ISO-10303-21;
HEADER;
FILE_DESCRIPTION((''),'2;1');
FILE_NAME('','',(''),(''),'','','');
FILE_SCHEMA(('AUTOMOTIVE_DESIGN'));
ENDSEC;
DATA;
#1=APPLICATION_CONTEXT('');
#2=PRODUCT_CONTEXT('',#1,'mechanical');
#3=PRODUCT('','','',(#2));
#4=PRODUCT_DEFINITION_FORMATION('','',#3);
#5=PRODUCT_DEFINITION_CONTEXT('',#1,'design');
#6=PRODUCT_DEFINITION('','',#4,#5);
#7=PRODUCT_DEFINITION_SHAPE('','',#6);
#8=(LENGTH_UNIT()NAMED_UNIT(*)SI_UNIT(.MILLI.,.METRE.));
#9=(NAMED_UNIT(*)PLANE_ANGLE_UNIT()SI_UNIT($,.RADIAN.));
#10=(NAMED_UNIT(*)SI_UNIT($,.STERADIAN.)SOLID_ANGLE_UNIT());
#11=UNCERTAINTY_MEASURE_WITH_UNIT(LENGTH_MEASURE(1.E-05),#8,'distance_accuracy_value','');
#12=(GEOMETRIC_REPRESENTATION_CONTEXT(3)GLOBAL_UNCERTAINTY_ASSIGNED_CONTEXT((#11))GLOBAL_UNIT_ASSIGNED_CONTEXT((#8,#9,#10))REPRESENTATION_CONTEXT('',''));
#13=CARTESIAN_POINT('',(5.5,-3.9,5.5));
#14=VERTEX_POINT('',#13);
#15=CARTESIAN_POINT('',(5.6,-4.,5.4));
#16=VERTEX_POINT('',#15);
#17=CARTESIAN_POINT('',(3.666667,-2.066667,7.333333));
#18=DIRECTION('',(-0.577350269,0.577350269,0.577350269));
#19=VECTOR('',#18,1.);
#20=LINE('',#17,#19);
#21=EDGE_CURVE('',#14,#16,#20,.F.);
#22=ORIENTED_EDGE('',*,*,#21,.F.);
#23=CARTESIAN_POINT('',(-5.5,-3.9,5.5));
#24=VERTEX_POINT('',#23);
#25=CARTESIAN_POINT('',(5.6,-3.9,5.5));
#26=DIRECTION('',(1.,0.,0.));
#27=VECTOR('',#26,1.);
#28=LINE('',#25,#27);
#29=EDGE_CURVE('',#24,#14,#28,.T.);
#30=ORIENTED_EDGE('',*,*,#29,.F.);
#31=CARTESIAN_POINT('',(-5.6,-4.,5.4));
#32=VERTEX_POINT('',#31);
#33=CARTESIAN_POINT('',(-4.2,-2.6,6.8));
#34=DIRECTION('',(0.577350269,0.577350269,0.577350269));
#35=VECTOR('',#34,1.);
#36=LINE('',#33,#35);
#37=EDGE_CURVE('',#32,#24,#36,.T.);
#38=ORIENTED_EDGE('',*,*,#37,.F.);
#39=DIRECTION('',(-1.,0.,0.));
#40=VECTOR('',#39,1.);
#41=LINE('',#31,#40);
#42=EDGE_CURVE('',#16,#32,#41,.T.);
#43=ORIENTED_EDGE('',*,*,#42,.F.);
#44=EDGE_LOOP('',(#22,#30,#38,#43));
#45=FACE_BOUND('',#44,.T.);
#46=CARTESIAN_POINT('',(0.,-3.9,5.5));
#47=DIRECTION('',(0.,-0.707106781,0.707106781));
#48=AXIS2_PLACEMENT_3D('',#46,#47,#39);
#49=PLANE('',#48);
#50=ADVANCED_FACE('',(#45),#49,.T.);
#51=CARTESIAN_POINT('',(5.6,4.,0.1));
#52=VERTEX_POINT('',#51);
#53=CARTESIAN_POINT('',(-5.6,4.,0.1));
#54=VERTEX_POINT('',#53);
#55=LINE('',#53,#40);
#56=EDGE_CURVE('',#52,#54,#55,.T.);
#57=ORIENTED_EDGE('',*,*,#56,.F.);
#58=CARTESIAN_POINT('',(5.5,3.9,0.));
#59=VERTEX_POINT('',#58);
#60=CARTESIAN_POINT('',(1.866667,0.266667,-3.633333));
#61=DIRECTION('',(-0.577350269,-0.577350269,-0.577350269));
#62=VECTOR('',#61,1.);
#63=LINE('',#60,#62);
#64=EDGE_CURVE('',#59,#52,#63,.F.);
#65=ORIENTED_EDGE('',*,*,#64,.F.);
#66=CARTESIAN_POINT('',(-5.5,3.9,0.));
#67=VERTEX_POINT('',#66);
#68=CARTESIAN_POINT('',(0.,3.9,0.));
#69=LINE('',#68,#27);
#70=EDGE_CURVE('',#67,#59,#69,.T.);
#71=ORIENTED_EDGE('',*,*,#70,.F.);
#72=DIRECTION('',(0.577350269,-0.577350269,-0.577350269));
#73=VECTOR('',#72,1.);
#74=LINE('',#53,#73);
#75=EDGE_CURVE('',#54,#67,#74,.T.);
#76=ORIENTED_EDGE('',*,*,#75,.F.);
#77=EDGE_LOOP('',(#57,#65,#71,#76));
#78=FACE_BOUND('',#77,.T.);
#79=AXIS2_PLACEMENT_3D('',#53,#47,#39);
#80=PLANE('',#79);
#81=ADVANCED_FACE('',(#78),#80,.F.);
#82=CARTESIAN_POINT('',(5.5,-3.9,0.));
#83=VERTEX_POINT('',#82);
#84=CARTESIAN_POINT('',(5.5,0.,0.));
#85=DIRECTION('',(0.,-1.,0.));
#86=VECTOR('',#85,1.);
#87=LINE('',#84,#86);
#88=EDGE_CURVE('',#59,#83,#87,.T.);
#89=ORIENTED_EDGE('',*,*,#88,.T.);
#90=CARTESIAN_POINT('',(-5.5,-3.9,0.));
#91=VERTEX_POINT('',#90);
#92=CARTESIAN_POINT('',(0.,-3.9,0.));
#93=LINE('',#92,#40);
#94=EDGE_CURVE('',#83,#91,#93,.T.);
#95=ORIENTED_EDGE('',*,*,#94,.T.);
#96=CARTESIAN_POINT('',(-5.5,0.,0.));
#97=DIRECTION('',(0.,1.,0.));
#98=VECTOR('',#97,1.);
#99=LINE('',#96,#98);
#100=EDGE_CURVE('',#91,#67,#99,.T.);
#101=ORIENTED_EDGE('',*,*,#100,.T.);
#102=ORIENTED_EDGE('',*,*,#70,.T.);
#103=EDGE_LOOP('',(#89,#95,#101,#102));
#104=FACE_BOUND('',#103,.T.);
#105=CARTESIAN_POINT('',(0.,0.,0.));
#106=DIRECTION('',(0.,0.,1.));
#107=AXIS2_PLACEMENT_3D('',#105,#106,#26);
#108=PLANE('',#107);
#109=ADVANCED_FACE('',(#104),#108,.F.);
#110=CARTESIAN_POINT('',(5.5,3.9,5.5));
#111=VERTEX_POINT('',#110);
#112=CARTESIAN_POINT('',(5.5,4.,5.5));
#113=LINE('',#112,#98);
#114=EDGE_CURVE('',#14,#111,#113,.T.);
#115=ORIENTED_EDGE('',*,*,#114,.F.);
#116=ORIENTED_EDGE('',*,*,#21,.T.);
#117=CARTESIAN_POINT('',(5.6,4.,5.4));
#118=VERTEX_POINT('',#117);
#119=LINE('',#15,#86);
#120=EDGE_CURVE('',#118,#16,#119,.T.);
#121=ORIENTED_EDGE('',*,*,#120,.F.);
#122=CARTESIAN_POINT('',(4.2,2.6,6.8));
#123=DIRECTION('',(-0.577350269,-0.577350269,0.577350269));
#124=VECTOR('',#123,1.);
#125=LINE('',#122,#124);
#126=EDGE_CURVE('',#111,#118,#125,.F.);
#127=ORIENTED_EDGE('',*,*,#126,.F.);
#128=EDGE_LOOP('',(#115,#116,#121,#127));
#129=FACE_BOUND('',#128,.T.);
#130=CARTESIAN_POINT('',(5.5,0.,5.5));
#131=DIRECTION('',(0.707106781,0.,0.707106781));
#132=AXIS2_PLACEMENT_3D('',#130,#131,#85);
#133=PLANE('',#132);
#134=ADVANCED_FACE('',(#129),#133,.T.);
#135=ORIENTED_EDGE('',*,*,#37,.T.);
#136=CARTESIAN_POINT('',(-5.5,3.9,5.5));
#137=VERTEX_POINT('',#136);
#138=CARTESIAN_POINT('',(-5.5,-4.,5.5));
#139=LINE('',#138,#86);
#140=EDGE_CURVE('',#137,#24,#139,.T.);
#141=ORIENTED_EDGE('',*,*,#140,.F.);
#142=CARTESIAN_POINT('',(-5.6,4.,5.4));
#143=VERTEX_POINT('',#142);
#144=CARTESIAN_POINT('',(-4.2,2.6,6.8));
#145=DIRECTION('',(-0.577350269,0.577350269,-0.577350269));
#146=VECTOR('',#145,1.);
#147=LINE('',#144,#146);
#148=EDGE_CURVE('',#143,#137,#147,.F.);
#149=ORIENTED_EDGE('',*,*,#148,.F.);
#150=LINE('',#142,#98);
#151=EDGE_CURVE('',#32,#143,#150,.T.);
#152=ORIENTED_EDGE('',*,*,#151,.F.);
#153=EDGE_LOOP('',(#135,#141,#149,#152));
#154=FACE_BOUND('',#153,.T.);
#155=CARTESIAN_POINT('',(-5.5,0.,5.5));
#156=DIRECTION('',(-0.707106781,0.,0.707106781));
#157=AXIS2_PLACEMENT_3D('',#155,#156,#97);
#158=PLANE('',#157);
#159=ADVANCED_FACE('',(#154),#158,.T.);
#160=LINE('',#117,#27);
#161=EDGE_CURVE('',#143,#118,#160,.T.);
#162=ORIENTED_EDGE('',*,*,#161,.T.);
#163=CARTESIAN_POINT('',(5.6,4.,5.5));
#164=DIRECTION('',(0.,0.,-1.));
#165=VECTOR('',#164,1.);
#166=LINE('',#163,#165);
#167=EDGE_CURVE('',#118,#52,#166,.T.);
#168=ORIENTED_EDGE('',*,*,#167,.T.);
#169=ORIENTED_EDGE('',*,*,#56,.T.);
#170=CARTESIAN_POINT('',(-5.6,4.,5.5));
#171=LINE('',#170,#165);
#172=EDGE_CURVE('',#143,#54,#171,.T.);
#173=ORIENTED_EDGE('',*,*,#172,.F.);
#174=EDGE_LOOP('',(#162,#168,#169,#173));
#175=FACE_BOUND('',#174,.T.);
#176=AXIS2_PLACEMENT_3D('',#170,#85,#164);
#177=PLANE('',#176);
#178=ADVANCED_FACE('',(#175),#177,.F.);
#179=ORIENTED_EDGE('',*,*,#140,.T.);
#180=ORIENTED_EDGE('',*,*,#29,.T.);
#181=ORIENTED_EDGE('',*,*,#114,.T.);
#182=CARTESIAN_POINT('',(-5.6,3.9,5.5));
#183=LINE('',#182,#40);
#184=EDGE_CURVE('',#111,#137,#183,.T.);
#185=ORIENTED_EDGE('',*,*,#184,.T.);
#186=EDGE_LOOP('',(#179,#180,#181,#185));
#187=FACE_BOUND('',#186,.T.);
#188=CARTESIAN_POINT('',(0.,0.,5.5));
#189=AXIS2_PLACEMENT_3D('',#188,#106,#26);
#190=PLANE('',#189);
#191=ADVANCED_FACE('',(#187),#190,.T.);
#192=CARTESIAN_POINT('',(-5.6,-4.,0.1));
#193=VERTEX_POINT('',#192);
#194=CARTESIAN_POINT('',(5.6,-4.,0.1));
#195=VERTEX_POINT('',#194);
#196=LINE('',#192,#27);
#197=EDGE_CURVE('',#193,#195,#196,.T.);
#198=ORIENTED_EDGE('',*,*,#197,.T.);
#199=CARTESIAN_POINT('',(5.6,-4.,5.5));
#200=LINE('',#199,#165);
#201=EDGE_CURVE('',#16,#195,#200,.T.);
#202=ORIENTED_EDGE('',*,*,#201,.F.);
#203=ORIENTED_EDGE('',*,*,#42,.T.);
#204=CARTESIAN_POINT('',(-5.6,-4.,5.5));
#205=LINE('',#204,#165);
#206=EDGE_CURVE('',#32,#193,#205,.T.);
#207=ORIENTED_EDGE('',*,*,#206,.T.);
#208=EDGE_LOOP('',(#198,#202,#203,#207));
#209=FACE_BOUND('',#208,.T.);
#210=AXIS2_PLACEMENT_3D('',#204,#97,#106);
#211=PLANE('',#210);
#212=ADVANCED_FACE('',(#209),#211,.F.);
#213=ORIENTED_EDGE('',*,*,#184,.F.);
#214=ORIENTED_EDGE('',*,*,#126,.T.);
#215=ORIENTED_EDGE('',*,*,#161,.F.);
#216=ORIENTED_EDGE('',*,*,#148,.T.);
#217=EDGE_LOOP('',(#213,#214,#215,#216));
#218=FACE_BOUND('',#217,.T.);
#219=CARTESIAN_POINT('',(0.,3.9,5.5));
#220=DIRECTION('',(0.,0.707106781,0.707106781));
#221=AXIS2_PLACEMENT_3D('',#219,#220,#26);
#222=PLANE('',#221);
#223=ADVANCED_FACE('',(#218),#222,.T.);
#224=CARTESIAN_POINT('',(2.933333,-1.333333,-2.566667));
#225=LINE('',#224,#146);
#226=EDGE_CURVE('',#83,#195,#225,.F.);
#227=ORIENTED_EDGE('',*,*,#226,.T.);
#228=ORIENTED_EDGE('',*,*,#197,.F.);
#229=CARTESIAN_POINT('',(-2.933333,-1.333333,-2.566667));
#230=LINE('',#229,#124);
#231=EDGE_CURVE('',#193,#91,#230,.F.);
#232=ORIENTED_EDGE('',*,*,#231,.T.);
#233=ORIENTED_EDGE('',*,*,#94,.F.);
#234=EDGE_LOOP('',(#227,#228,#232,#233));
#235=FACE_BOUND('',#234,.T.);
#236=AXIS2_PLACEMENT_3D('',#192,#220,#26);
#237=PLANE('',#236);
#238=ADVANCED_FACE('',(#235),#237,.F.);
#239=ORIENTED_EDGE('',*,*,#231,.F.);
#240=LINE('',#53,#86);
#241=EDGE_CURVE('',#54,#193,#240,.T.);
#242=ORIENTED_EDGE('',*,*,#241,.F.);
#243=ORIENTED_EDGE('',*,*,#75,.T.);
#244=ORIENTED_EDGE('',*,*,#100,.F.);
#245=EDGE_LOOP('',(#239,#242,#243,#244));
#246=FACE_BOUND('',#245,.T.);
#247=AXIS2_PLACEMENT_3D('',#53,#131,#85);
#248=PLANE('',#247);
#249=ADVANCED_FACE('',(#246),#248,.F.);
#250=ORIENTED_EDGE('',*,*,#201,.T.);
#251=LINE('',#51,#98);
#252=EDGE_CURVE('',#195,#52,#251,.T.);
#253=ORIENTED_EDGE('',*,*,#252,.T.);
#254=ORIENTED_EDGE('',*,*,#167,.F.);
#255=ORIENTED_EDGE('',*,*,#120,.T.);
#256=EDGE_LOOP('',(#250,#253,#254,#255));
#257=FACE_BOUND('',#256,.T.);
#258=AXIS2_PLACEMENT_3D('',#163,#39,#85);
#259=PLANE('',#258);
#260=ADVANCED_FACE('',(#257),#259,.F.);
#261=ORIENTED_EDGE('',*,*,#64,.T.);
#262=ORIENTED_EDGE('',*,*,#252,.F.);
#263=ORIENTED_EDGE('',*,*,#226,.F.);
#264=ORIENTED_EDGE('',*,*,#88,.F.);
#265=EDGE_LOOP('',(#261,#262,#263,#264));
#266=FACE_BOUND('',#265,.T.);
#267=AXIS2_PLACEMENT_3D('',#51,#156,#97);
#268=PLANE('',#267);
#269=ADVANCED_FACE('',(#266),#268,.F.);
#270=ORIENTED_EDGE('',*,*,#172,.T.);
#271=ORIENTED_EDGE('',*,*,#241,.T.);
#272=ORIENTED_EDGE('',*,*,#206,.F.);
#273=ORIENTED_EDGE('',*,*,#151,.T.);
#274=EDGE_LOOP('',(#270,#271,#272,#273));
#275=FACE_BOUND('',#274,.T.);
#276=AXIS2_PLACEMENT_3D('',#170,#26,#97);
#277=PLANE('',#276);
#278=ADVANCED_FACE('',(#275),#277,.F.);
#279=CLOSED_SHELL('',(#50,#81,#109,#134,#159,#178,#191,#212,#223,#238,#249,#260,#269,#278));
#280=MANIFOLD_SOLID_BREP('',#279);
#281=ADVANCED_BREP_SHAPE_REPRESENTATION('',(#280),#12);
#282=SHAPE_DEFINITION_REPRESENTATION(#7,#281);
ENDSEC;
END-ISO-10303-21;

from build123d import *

# Parameters (mm, degrees)
ESQUISSE1_W        = 11.2
ESQUISSE1_H        = 8
BOSS_EXTRU_1_DEPTH = 5.5
CHANFREIN1_SIZE    = 0.1


with BuildPart() as part:
    # Esquisse1 → Boss.-Extru.1 (new body)
    with BuildSketch(Plane.XY):
        Rectangle(ESQUISSE1_W, ESQUISSE1_H)
    extrude(amount=BOSS_EXTRU_1_DEPTH)

    # Chanfrein1
    chanfrein1_edges = [part.edges().sort_by_distance(p)[0] for p in [
        (5.6, 0, 5.5),
        (0, 4, 5.5),
        (-5.6, 0, 5.5),
        (0, 4, 0),
        (5.6, 0, 0),
        (0, -4, 0),
        (-5.6, 0, 0),
        (0, -4, 5.5),
    ]]
    chamfer(chanfrein1_edges, length=CHANFREIN1_SIZE)


solid = part.part
